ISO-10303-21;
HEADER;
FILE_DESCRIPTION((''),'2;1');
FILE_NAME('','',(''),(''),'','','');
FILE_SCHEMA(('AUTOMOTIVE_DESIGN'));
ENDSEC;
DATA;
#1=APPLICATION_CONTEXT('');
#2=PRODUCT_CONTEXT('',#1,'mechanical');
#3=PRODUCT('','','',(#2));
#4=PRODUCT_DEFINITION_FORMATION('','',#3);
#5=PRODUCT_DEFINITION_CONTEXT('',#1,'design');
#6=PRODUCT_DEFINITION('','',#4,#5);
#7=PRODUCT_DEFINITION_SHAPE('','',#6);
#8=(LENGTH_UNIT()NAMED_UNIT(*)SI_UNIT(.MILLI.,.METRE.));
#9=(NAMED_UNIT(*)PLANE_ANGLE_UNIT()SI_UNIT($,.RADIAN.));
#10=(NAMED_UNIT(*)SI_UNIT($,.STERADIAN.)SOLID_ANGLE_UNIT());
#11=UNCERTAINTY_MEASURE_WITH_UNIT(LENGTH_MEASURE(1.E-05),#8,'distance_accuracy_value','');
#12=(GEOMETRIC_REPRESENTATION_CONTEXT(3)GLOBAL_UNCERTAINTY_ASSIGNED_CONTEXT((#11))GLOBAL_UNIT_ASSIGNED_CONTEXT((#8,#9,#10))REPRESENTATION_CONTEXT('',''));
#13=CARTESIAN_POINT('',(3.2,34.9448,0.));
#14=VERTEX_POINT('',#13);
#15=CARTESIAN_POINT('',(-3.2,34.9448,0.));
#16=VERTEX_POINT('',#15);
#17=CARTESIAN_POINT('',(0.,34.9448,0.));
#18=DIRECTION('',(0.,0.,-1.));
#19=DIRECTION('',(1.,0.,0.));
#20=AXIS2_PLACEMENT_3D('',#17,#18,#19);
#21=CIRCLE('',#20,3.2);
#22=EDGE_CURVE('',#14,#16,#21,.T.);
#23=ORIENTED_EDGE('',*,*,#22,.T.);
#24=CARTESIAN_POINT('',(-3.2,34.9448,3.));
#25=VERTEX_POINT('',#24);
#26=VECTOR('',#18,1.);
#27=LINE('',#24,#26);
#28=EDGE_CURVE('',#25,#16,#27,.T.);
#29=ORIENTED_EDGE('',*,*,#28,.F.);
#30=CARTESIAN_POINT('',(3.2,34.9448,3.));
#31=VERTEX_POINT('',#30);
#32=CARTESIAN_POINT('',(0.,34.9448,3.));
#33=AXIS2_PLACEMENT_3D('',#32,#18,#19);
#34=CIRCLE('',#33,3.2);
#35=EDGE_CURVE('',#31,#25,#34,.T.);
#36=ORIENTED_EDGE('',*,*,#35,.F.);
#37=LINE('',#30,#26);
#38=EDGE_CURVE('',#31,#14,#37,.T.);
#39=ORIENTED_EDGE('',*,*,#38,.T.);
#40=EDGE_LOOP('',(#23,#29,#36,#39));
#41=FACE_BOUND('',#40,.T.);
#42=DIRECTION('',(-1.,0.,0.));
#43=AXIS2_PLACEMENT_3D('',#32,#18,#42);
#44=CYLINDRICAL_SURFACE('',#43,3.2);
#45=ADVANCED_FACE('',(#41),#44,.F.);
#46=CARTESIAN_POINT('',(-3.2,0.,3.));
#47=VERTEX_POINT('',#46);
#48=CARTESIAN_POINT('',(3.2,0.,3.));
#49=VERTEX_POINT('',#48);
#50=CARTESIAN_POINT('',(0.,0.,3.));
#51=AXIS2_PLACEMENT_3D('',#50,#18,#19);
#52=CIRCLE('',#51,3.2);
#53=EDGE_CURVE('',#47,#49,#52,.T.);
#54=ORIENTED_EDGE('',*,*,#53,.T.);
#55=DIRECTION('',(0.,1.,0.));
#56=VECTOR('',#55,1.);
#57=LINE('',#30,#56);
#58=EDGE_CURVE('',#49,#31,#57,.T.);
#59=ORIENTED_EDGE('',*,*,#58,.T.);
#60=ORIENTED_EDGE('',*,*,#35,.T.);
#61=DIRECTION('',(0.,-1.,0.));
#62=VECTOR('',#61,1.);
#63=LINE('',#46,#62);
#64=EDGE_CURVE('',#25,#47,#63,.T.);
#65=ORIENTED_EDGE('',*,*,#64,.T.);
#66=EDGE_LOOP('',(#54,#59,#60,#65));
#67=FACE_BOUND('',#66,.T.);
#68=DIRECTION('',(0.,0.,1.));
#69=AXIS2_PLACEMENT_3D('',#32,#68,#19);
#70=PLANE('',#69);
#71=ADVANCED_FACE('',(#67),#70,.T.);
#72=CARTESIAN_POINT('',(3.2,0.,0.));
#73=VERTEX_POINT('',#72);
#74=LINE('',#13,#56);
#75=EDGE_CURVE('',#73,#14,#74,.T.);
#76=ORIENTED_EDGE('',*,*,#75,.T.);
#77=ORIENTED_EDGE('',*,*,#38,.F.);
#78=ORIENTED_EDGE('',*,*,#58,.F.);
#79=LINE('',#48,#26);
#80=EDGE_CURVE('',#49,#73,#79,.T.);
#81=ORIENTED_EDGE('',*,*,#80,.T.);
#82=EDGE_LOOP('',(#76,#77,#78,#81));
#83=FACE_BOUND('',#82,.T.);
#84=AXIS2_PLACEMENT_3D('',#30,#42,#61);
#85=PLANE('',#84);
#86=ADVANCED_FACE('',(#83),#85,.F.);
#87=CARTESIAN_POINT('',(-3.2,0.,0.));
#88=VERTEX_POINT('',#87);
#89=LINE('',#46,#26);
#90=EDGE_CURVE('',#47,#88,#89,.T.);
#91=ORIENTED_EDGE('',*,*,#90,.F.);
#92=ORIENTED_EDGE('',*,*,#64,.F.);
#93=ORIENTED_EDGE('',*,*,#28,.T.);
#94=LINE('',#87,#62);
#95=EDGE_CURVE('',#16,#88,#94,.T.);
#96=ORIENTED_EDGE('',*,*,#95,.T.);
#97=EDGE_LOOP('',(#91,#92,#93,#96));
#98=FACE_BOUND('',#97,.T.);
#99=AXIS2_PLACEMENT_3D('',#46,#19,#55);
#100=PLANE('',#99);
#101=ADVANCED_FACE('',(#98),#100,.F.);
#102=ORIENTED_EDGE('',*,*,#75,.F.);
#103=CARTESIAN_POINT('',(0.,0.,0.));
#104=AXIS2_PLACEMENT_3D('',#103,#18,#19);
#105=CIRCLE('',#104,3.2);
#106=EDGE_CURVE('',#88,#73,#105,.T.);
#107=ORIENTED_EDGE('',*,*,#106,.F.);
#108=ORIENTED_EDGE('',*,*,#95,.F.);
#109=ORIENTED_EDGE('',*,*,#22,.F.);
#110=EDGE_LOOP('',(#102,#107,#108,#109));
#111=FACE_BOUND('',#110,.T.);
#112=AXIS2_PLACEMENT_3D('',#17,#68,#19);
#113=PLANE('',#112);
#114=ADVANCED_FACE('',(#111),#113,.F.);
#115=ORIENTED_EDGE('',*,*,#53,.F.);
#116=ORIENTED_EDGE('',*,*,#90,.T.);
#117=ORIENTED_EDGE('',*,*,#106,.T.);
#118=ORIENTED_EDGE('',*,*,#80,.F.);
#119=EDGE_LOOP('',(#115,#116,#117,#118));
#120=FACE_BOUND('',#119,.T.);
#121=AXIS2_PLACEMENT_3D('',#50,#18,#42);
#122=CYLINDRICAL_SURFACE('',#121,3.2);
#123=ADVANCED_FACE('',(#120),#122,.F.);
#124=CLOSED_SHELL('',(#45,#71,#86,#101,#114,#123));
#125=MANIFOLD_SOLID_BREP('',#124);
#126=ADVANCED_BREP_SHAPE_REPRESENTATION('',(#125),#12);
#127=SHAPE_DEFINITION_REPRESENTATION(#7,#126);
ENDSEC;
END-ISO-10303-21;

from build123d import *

# Parameters (mm, degrees)
BOSS_EXTRUDE3_DEPTH = 3


with BuildPart() as part:
    # Sketch1 → Boss-Extrude3 (new body)
    with BuildSketch(Plane.XY):
        with BuildLine():
            Line((-3.2, 0), (-3.2, 34.9448))
            ThreePointArc((-3.2, 34.9448), (0, 31.7448), (3.2, 34.9448))
            Line((3.2, 34.9448), (3.2, 0))
            ThreePointArc((3.2, 0), (0, 3.2), (-3.2, 0))
        make_face()
    extrude(amount=BOSS_EXTRUDE3_DEPTH)


solid = part.part
